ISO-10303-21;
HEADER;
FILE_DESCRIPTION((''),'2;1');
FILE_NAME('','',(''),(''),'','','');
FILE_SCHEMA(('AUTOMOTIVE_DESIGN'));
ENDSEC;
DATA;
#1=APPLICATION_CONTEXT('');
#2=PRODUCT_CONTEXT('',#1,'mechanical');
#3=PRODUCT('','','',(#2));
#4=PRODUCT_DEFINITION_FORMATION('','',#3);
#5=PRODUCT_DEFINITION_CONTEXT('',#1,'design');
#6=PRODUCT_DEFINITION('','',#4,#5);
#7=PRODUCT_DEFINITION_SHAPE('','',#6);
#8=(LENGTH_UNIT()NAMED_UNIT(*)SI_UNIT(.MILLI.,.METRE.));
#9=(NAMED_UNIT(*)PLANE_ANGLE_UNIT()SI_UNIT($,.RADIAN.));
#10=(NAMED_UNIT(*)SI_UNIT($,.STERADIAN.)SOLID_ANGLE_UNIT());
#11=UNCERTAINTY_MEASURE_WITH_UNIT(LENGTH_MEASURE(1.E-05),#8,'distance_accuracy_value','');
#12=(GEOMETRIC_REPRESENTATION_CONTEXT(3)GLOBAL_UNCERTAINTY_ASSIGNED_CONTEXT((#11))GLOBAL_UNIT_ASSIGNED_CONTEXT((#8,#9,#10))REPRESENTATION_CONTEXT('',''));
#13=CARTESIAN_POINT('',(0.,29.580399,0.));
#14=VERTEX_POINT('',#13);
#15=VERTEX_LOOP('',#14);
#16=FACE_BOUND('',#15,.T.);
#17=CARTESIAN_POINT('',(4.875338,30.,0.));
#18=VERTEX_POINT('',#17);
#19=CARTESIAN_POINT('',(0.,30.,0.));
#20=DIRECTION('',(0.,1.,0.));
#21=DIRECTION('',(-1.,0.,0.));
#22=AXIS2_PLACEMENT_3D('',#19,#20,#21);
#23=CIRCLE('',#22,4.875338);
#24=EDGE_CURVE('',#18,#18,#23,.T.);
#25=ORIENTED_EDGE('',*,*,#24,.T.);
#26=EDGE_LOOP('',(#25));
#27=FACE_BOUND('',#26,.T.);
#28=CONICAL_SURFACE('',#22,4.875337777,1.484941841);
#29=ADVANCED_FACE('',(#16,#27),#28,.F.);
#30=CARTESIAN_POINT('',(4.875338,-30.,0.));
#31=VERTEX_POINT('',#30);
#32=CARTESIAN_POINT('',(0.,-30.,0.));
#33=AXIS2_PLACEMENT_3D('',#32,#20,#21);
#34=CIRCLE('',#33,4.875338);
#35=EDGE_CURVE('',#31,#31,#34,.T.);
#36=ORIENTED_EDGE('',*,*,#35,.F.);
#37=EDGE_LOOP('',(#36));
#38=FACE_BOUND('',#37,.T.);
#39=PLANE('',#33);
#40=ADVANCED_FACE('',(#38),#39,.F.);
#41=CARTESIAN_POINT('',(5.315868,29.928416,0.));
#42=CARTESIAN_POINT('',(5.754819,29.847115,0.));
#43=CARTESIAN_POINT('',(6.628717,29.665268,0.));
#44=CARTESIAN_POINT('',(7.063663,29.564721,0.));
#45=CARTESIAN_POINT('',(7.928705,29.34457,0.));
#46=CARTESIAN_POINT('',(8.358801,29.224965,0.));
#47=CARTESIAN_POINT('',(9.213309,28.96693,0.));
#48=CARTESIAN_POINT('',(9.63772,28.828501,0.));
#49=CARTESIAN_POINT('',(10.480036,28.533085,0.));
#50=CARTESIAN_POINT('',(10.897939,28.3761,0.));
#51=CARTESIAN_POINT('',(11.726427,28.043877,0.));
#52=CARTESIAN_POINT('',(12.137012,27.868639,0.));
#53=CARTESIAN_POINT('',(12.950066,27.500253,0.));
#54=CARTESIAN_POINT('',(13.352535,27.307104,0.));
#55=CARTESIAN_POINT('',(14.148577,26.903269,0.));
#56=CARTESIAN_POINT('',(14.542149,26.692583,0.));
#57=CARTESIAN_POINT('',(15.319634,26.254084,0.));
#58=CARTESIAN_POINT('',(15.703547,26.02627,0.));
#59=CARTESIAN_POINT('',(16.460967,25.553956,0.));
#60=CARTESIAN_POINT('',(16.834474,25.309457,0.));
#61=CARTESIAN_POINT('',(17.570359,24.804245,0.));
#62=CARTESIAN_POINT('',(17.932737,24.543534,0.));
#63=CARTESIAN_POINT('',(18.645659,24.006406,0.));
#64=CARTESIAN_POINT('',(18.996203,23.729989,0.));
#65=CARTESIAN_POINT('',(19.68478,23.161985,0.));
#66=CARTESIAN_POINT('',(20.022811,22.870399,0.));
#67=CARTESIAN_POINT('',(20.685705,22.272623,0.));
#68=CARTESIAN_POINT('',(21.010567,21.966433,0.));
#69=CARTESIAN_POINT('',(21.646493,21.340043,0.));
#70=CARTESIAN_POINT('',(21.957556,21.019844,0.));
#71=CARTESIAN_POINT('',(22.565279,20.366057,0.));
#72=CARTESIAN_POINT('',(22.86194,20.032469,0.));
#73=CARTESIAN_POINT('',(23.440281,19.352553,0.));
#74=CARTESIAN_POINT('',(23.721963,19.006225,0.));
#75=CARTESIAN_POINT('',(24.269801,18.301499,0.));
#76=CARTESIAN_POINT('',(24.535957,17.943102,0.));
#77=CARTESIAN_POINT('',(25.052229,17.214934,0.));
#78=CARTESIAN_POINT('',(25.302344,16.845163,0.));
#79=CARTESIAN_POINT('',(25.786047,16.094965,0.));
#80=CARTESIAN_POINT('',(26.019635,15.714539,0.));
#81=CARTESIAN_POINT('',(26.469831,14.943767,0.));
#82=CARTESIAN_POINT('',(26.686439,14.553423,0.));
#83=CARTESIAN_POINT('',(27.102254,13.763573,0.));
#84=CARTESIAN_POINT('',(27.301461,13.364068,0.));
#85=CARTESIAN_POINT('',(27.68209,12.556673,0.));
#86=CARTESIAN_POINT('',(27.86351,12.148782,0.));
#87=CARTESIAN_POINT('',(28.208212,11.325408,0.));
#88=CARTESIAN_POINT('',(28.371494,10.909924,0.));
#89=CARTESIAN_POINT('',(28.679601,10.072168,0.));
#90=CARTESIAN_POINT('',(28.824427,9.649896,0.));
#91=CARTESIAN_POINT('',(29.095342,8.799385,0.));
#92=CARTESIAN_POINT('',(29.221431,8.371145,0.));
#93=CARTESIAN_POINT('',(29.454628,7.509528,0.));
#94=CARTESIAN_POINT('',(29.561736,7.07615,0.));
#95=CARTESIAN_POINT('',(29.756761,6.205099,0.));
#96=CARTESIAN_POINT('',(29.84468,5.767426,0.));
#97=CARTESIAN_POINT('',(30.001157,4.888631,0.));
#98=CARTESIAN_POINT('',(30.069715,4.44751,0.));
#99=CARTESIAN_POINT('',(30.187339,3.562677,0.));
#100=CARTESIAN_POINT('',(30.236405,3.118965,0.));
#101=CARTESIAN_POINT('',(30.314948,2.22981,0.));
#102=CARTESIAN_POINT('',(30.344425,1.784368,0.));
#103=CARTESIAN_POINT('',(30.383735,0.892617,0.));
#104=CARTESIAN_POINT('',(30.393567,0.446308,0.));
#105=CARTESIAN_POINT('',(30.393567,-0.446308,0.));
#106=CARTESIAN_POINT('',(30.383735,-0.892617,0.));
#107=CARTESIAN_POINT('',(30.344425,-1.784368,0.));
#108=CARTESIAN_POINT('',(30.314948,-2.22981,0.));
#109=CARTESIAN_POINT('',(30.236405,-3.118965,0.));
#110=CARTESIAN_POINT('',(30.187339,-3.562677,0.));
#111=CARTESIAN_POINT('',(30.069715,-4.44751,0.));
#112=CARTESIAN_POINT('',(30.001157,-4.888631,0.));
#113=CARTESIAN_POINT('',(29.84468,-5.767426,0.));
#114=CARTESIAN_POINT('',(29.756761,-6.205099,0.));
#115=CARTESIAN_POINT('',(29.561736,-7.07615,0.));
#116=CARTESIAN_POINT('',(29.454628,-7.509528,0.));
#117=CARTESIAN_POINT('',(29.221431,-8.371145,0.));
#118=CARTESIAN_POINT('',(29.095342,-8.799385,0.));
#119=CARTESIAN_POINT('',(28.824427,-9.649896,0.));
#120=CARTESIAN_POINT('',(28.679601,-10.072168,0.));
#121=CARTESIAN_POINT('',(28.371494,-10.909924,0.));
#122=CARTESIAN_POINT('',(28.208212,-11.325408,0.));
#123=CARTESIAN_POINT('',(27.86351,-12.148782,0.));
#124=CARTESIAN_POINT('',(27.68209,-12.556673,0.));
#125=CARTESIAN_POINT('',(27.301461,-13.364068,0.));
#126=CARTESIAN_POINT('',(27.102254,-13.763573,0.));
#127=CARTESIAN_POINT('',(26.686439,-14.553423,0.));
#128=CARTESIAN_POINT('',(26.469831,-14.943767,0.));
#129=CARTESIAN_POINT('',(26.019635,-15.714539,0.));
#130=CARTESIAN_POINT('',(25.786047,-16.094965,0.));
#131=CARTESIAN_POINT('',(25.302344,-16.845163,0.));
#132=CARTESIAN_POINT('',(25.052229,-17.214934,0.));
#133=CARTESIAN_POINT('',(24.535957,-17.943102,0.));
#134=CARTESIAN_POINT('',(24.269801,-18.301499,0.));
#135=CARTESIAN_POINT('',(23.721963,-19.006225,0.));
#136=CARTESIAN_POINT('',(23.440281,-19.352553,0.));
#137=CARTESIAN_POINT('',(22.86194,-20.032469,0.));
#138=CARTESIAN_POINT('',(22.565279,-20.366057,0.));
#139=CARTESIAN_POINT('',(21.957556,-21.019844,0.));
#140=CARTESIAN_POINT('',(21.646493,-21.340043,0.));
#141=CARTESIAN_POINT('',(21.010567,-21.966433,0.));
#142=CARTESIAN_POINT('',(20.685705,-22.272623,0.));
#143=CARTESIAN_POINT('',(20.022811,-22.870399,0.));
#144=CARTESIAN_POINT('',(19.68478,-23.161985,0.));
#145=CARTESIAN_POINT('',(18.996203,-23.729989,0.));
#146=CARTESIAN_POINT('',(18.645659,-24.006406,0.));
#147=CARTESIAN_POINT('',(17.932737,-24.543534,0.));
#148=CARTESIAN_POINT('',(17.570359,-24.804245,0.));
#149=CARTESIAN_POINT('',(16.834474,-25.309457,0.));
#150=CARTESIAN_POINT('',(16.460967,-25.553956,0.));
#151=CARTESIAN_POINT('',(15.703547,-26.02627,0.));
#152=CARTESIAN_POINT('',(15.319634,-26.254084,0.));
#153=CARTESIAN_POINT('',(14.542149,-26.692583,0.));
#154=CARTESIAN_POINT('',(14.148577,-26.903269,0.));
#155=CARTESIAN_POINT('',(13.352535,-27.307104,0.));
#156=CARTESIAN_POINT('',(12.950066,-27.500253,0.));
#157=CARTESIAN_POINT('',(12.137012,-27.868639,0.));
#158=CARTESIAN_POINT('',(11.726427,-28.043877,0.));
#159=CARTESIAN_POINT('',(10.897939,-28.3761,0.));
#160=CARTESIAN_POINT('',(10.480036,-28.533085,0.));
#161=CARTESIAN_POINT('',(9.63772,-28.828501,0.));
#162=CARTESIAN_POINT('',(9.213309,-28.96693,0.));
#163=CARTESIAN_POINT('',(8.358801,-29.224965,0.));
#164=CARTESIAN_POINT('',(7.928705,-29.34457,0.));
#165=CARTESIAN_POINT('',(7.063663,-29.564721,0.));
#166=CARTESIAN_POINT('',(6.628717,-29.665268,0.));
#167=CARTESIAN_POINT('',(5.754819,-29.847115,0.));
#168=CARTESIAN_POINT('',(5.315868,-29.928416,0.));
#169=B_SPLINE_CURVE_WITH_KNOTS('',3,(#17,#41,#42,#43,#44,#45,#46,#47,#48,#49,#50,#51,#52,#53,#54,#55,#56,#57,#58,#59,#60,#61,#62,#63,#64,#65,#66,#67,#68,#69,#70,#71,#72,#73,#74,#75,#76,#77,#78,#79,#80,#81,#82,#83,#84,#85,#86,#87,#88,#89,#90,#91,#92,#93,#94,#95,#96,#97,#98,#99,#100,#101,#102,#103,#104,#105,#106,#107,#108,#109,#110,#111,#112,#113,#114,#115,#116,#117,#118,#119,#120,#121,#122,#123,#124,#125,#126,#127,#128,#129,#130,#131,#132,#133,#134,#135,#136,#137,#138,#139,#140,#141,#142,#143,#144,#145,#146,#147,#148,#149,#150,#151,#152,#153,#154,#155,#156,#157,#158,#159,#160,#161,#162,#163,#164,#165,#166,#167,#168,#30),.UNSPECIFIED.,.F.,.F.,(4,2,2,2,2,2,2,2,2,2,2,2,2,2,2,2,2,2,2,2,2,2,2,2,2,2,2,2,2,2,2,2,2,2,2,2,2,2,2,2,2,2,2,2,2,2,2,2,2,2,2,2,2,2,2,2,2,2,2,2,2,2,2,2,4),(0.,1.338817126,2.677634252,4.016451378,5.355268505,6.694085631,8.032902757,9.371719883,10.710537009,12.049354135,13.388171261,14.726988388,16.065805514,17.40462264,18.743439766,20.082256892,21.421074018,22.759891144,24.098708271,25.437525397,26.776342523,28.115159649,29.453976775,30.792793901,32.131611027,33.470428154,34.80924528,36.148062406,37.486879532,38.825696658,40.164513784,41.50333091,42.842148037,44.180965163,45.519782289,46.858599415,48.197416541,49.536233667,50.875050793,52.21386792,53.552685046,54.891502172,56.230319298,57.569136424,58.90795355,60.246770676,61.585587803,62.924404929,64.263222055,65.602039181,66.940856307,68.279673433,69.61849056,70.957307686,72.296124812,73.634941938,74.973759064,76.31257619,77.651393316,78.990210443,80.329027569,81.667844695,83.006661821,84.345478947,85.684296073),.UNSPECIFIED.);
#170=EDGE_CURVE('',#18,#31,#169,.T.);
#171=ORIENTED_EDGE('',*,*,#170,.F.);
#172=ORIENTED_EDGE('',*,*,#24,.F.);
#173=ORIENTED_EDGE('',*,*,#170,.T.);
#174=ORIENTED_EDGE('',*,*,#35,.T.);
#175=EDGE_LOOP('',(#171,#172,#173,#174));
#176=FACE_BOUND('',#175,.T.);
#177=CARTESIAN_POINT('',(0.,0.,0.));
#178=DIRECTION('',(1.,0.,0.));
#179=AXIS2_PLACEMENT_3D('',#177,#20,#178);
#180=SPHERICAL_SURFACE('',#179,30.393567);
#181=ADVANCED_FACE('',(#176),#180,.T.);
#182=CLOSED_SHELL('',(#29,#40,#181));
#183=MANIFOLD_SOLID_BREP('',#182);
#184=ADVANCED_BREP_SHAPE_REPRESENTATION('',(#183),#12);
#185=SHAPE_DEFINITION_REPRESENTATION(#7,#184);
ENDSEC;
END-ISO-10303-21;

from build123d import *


with BuildPart() as part:
    # Esquisse1 → BASE (revolve)
    with BuildSketch(Plane.XY):
        with BuildLine():
            Line((0, 29.580398915), (0, -30))
            Line((0, -30), (4.875337777, -30))
            ThreePointArc((4.875337777, -30), (30.393567057, 0), (4.875337777, 30))
            Line((4.875337777, 30), (0, 29.580398915))
        make_face()
    revolve(axis=Axis((0, 29.580398915, 0), (0, -1, 0)))


solid = part.part
